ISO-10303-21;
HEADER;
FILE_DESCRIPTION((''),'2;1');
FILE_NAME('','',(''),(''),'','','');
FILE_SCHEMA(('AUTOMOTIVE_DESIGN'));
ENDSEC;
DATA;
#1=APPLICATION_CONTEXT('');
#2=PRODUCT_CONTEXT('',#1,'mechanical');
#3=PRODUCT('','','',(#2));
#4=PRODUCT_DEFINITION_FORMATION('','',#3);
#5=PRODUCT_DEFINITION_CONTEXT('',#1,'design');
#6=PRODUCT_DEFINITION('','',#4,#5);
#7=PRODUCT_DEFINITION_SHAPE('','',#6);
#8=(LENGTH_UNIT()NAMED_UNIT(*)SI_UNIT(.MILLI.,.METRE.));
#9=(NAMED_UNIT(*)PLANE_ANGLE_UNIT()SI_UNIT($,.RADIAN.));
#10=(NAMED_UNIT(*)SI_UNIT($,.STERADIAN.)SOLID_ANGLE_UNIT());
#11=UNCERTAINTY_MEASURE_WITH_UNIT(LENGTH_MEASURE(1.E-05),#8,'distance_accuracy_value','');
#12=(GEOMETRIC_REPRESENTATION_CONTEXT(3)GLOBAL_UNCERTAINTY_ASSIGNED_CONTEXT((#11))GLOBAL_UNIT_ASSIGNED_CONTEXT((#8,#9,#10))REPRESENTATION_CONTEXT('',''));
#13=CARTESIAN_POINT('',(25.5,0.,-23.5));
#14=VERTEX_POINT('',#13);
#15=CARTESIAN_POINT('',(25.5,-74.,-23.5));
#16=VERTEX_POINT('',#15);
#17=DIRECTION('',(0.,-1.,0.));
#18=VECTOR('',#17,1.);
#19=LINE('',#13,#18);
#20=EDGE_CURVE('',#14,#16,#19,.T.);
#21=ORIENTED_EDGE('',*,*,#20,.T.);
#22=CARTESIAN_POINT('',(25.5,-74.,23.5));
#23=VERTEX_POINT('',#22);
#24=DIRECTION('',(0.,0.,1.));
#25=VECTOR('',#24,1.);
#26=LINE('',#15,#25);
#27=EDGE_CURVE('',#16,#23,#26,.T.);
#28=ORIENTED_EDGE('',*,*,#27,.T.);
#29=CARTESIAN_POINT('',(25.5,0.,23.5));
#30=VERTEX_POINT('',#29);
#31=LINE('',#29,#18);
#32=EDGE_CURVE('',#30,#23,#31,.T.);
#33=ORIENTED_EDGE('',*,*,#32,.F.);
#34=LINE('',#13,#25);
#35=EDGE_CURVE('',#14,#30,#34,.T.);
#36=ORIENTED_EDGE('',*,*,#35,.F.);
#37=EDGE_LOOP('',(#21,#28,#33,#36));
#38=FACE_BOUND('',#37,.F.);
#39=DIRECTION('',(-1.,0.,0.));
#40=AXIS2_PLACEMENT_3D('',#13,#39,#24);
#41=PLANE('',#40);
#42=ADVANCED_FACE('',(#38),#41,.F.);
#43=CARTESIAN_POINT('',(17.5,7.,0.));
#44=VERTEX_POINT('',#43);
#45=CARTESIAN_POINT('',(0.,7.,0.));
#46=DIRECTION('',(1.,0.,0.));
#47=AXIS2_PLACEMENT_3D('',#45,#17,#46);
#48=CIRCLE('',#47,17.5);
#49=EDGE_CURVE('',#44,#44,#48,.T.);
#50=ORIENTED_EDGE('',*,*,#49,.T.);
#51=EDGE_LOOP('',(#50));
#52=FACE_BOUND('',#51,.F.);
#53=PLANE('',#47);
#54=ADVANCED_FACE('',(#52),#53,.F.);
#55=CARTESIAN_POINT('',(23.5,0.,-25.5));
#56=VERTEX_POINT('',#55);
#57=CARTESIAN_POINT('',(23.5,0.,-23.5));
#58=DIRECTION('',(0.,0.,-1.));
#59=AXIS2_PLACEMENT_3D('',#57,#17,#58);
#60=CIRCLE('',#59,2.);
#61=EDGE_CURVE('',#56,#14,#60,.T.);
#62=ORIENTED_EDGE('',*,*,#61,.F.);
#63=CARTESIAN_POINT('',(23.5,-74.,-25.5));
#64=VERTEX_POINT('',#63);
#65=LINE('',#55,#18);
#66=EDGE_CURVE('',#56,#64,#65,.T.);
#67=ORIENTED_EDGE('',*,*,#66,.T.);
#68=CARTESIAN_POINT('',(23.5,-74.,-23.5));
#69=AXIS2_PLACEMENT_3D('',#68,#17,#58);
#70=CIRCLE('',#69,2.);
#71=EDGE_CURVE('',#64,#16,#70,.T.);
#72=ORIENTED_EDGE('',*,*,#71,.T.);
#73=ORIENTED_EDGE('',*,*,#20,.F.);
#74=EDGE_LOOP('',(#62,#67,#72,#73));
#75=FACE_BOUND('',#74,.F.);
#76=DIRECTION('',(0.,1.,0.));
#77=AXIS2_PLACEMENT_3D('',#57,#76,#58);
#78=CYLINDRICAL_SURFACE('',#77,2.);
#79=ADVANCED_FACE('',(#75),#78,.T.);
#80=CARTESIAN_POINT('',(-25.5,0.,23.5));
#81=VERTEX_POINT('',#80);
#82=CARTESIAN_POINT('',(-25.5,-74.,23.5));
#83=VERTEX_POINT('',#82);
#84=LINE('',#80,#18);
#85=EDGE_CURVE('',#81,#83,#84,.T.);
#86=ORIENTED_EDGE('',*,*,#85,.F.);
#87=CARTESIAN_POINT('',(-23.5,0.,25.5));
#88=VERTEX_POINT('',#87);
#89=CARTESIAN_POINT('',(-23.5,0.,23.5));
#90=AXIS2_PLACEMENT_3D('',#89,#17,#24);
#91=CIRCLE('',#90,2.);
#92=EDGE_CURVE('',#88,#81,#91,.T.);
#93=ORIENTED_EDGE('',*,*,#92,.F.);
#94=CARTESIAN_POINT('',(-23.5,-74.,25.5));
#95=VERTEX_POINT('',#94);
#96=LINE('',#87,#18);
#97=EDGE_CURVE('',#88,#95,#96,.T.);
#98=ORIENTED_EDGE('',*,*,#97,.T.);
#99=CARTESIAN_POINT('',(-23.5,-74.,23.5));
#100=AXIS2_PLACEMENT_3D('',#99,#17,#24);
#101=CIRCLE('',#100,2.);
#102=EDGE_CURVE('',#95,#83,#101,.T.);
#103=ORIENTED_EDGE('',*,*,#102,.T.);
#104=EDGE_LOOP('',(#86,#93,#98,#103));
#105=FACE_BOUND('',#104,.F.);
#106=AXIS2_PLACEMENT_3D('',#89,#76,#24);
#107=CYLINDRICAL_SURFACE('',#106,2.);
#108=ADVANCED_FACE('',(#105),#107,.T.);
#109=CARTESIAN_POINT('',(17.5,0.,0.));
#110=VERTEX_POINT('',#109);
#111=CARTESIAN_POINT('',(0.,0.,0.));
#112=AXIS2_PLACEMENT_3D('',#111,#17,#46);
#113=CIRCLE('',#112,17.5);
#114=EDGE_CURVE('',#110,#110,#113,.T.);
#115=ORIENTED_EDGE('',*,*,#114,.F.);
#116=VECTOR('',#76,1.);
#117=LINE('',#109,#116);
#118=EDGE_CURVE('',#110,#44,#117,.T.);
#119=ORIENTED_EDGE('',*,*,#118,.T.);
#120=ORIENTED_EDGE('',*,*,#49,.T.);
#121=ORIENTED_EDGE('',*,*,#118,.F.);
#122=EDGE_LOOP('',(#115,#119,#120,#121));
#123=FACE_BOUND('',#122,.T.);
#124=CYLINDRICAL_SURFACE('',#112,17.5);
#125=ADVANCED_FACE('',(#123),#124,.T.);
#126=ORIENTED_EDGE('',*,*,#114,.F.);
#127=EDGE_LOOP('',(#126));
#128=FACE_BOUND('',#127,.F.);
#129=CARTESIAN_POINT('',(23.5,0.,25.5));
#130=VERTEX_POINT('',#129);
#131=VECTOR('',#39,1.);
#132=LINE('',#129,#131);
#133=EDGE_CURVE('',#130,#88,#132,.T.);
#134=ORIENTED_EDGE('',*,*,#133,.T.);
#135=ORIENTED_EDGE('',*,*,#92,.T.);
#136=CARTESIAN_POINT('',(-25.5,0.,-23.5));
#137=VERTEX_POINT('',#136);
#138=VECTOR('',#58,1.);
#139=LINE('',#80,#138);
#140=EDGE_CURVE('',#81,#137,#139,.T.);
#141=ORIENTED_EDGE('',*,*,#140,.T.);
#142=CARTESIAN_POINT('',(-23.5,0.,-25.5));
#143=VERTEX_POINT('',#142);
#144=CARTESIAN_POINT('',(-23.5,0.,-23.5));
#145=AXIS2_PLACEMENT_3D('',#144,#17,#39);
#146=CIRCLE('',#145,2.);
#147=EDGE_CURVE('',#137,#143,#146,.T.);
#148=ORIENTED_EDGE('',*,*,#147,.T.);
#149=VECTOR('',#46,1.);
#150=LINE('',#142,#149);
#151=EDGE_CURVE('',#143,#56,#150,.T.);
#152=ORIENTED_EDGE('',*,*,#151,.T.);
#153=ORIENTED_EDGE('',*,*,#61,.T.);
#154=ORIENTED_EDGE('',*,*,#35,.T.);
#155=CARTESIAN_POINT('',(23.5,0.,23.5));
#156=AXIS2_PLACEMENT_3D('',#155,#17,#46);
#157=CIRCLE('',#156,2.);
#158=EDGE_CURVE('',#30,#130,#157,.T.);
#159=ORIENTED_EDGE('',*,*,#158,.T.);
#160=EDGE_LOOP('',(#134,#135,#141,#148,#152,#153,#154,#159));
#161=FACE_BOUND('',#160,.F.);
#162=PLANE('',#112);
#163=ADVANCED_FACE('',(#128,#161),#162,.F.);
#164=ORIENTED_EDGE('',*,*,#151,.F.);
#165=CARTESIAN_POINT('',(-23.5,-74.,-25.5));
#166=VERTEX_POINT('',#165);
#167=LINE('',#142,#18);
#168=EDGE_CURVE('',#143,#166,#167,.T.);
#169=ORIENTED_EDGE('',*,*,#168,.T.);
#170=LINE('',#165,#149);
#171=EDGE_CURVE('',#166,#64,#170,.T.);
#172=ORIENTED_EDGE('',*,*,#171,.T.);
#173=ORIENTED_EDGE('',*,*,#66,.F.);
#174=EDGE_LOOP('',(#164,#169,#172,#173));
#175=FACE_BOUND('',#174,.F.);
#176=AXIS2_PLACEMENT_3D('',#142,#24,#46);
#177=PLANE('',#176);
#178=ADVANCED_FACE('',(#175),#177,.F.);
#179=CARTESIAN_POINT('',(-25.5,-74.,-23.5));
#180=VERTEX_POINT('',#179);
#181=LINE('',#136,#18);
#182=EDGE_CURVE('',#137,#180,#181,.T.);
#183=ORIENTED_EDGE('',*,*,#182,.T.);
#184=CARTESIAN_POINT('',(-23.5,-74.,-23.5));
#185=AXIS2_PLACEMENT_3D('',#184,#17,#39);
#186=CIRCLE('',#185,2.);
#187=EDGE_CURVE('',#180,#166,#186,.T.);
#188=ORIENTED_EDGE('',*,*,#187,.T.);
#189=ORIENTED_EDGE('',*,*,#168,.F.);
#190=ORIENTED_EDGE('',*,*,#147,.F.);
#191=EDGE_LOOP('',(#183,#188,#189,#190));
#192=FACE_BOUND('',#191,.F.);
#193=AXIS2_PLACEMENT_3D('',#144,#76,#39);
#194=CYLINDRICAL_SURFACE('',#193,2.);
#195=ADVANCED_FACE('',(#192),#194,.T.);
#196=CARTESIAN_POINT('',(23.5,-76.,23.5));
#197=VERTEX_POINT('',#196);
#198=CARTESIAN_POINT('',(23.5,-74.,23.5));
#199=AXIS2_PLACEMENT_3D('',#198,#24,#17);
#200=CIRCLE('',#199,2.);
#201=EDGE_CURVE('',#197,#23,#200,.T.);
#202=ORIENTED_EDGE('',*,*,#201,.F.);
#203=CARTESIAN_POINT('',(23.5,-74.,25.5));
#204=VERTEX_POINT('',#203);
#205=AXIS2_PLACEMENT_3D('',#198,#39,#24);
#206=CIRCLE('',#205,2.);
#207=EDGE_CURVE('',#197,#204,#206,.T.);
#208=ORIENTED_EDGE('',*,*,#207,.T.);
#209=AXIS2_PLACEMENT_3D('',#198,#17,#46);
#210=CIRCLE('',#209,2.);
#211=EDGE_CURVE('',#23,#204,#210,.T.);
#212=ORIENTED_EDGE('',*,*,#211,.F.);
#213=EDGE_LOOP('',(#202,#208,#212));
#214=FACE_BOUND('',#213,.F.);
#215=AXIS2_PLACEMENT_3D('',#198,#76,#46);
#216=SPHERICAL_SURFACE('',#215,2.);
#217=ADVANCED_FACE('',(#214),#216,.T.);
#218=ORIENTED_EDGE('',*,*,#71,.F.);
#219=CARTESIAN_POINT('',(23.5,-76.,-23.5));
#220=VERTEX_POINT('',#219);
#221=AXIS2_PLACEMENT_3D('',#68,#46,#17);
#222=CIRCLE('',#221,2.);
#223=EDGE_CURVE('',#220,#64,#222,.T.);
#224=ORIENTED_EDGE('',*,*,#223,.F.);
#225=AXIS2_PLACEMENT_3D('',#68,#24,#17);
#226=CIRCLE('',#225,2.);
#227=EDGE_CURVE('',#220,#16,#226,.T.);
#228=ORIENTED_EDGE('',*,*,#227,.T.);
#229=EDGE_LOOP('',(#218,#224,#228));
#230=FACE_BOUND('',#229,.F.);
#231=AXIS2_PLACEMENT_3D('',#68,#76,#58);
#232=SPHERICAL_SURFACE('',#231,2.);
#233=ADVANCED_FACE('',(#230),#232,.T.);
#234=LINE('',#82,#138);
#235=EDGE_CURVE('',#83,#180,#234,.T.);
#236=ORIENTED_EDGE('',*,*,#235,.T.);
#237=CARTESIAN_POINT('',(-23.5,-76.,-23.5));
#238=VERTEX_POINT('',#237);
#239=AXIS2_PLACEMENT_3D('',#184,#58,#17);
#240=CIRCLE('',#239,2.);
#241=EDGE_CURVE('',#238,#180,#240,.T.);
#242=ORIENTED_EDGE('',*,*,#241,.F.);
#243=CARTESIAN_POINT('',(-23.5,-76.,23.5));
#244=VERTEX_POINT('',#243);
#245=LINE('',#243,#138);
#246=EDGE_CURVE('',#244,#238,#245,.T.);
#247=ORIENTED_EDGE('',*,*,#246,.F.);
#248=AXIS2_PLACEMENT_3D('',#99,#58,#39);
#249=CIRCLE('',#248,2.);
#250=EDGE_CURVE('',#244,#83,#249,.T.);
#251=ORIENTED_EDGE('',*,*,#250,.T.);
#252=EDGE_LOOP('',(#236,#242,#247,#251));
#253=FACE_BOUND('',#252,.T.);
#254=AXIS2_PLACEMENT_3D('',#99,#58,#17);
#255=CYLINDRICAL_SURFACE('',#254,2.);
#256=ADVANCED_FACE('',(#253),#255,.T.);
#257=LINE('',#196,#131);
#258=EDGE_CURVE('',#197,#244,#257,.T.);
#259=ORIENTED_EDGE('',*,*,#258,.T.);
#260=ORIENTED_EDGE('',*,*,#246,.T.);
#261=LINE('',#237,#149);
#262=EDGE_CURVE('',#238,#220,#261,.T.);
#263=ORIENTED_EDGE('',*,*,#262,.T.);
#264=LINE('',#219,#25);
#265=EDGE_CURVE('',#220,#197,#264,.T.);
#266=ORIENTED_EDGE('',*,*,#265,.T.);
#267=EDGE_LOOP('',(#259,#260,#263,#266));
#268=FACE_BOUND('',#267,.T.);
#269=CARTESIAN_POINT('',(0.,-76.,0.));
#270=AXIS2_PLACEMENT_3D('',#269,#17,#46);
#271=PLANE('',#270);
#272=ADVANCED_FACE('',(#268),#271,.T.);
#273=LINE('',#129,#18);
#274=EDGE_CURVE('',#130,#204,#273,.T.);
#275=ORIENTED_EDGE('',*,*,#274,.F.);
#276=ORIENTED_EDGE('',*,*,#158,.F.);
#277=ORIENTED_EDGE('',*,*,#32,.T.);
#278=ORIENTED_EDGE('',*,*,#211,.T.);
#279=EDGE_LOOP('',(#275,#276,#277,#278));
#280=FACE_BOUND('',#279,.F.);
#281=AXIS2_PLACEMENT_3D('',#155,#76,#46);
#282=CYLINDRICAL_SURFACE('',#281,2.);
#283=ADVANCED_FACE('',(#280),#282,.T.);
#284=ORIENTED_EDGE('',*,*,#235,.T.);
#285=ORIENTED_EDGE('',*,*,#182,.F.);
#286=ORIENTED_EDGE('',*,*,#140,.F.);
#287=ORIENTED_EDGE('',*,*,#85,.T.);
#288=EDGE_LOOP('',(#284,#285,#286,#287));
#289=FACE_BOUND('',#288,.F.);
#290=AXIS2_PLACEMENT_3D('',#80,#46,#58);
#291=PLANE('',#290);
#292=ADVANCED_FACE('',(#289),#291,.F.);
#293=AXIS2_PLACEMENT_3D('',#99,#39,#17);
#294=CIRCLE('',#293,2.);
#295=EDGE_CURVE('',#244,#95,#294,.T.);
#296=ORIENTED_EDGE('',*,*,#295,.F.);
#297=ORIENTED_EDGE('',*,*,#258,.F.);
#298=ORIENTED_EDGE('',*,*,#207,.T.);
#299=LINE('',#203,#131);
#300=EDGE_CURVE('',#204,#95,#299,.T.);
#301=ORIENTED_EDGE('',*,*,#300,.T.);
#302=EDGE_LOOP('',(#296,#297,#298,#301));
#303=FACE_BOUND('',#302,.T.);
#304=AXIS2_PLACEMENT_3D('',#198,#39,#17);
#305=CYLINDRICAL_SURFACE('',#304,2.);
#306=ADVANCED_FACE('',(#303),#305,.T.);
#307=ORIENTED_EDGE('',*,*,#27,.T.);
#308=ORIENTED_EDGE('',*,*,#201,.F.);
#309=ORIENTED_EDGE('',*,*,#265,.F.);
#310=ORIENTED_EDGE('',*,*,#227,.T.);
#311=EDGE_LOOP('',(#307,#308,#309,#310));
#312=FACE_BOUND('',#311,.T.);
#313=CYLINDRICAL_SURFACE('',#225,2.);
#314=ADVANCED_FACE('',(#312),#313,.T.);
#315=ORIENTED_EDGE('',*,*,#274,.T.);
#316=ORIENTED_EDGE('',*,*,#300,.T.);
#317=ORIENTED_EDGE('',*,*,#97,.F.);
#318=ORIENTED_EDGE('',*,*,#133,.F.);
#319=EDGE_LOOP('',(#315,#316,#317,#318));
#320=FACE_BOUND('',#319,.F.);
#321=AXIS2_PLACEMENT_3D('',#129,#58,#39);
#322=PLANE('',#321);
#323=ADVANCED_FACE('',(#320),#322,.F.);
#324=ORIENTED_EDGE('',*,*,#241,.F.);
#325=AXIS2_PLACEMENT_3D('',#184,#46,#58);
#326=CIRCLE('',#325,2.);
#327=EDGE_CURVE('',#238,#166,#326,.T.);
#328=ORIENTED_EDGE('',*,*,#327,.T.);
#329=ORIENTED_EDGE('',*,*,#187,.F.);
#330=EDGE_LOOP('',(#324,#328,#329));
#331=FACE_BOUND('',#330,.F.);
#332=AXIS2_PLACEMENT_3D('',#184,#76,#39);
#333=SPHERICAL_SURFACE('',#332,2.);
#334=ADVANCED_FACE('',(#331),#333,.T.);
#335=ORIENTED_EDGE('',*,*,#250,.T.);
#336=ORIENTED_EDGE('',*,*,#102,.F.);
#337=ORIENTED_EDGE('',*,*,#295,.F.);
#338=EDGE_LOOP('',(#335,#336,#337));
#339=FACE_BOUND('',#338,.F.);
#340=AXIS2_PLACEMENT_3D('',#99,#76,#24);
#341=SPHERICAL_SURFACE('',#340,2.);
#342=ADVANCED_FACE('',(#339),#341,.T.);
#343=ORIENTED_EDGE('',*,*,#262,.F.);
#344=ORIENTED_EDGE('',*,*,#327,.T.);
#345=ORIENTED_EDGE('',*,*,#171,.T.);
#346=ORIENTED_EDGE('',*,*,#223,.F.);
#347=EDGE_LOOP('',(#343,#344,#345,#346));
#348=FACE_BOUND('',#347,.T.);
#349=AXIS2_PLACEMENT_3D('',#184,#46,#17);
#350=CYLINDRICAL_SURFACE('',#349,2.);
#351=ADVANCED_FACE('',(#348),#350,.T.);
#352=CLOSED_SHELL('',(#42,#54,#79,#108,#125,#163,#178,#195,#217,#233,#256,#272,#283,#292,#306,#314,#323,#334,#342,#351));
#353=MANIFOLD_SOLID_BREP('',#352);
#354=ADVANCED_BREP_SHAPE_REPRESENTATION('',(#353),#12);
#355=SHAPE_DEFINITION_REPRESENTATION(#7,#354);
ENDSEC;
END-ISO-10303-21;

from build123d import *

# Parameters (mm, degrees)
F0_R     = 17.5
F1_DEPTH = 76
F2_DEPTH = 7
F3_R     = 2


with BuildPart() as f1:
    # F0 (on Front) → F1 (new body)
    with BuildSketch(Plane.XZ):
        with BuildLine():
            Line((23.5, 25.5), (-23.5, 25.5))
            ThreePointArc((-23.5, 25.5), (-24.9142135624, 24.9142135624), (-25.5, 23.5))
            Line((-25.5, 23.5), (-25.5, -23.5))
            ThreePointArc((-25.5, -23.5), (-24.9142135624, -24.9142135624), (-23.5, -25.5))
            Line((-23.5, -25.5), (23.5, -25.5))
            ThreePointArc((23.5, -25.5), (24.9142135624, -24.9142135624), (25.5, -23.5))
            Line((25.5, -23.5), (25.5, 23.5))
            ThreePointArc((25.5, 23.5), (24.9142135624, 24.9142135624), (23.5, 25.5))
        make_face()
        Circle(F0_R, mode=Mode.SUBTRACT)
        Circle(F0_R)
    extrude(amount=F1_DEPTH)

    # F0 (on Front) → F2 (join)
    with BuildSketch(Plane.XZ):
        Circle(F0_R)
    extrude(amount=-F2_DEPTH)

    # F3
    f3_edges = [f1.edges().sort_by_distance(p)[0] for p in [
        (25.5, -76, 0),
    ]]
    fillet(f3_edges, radius=F3_R)


solid = f1.part
